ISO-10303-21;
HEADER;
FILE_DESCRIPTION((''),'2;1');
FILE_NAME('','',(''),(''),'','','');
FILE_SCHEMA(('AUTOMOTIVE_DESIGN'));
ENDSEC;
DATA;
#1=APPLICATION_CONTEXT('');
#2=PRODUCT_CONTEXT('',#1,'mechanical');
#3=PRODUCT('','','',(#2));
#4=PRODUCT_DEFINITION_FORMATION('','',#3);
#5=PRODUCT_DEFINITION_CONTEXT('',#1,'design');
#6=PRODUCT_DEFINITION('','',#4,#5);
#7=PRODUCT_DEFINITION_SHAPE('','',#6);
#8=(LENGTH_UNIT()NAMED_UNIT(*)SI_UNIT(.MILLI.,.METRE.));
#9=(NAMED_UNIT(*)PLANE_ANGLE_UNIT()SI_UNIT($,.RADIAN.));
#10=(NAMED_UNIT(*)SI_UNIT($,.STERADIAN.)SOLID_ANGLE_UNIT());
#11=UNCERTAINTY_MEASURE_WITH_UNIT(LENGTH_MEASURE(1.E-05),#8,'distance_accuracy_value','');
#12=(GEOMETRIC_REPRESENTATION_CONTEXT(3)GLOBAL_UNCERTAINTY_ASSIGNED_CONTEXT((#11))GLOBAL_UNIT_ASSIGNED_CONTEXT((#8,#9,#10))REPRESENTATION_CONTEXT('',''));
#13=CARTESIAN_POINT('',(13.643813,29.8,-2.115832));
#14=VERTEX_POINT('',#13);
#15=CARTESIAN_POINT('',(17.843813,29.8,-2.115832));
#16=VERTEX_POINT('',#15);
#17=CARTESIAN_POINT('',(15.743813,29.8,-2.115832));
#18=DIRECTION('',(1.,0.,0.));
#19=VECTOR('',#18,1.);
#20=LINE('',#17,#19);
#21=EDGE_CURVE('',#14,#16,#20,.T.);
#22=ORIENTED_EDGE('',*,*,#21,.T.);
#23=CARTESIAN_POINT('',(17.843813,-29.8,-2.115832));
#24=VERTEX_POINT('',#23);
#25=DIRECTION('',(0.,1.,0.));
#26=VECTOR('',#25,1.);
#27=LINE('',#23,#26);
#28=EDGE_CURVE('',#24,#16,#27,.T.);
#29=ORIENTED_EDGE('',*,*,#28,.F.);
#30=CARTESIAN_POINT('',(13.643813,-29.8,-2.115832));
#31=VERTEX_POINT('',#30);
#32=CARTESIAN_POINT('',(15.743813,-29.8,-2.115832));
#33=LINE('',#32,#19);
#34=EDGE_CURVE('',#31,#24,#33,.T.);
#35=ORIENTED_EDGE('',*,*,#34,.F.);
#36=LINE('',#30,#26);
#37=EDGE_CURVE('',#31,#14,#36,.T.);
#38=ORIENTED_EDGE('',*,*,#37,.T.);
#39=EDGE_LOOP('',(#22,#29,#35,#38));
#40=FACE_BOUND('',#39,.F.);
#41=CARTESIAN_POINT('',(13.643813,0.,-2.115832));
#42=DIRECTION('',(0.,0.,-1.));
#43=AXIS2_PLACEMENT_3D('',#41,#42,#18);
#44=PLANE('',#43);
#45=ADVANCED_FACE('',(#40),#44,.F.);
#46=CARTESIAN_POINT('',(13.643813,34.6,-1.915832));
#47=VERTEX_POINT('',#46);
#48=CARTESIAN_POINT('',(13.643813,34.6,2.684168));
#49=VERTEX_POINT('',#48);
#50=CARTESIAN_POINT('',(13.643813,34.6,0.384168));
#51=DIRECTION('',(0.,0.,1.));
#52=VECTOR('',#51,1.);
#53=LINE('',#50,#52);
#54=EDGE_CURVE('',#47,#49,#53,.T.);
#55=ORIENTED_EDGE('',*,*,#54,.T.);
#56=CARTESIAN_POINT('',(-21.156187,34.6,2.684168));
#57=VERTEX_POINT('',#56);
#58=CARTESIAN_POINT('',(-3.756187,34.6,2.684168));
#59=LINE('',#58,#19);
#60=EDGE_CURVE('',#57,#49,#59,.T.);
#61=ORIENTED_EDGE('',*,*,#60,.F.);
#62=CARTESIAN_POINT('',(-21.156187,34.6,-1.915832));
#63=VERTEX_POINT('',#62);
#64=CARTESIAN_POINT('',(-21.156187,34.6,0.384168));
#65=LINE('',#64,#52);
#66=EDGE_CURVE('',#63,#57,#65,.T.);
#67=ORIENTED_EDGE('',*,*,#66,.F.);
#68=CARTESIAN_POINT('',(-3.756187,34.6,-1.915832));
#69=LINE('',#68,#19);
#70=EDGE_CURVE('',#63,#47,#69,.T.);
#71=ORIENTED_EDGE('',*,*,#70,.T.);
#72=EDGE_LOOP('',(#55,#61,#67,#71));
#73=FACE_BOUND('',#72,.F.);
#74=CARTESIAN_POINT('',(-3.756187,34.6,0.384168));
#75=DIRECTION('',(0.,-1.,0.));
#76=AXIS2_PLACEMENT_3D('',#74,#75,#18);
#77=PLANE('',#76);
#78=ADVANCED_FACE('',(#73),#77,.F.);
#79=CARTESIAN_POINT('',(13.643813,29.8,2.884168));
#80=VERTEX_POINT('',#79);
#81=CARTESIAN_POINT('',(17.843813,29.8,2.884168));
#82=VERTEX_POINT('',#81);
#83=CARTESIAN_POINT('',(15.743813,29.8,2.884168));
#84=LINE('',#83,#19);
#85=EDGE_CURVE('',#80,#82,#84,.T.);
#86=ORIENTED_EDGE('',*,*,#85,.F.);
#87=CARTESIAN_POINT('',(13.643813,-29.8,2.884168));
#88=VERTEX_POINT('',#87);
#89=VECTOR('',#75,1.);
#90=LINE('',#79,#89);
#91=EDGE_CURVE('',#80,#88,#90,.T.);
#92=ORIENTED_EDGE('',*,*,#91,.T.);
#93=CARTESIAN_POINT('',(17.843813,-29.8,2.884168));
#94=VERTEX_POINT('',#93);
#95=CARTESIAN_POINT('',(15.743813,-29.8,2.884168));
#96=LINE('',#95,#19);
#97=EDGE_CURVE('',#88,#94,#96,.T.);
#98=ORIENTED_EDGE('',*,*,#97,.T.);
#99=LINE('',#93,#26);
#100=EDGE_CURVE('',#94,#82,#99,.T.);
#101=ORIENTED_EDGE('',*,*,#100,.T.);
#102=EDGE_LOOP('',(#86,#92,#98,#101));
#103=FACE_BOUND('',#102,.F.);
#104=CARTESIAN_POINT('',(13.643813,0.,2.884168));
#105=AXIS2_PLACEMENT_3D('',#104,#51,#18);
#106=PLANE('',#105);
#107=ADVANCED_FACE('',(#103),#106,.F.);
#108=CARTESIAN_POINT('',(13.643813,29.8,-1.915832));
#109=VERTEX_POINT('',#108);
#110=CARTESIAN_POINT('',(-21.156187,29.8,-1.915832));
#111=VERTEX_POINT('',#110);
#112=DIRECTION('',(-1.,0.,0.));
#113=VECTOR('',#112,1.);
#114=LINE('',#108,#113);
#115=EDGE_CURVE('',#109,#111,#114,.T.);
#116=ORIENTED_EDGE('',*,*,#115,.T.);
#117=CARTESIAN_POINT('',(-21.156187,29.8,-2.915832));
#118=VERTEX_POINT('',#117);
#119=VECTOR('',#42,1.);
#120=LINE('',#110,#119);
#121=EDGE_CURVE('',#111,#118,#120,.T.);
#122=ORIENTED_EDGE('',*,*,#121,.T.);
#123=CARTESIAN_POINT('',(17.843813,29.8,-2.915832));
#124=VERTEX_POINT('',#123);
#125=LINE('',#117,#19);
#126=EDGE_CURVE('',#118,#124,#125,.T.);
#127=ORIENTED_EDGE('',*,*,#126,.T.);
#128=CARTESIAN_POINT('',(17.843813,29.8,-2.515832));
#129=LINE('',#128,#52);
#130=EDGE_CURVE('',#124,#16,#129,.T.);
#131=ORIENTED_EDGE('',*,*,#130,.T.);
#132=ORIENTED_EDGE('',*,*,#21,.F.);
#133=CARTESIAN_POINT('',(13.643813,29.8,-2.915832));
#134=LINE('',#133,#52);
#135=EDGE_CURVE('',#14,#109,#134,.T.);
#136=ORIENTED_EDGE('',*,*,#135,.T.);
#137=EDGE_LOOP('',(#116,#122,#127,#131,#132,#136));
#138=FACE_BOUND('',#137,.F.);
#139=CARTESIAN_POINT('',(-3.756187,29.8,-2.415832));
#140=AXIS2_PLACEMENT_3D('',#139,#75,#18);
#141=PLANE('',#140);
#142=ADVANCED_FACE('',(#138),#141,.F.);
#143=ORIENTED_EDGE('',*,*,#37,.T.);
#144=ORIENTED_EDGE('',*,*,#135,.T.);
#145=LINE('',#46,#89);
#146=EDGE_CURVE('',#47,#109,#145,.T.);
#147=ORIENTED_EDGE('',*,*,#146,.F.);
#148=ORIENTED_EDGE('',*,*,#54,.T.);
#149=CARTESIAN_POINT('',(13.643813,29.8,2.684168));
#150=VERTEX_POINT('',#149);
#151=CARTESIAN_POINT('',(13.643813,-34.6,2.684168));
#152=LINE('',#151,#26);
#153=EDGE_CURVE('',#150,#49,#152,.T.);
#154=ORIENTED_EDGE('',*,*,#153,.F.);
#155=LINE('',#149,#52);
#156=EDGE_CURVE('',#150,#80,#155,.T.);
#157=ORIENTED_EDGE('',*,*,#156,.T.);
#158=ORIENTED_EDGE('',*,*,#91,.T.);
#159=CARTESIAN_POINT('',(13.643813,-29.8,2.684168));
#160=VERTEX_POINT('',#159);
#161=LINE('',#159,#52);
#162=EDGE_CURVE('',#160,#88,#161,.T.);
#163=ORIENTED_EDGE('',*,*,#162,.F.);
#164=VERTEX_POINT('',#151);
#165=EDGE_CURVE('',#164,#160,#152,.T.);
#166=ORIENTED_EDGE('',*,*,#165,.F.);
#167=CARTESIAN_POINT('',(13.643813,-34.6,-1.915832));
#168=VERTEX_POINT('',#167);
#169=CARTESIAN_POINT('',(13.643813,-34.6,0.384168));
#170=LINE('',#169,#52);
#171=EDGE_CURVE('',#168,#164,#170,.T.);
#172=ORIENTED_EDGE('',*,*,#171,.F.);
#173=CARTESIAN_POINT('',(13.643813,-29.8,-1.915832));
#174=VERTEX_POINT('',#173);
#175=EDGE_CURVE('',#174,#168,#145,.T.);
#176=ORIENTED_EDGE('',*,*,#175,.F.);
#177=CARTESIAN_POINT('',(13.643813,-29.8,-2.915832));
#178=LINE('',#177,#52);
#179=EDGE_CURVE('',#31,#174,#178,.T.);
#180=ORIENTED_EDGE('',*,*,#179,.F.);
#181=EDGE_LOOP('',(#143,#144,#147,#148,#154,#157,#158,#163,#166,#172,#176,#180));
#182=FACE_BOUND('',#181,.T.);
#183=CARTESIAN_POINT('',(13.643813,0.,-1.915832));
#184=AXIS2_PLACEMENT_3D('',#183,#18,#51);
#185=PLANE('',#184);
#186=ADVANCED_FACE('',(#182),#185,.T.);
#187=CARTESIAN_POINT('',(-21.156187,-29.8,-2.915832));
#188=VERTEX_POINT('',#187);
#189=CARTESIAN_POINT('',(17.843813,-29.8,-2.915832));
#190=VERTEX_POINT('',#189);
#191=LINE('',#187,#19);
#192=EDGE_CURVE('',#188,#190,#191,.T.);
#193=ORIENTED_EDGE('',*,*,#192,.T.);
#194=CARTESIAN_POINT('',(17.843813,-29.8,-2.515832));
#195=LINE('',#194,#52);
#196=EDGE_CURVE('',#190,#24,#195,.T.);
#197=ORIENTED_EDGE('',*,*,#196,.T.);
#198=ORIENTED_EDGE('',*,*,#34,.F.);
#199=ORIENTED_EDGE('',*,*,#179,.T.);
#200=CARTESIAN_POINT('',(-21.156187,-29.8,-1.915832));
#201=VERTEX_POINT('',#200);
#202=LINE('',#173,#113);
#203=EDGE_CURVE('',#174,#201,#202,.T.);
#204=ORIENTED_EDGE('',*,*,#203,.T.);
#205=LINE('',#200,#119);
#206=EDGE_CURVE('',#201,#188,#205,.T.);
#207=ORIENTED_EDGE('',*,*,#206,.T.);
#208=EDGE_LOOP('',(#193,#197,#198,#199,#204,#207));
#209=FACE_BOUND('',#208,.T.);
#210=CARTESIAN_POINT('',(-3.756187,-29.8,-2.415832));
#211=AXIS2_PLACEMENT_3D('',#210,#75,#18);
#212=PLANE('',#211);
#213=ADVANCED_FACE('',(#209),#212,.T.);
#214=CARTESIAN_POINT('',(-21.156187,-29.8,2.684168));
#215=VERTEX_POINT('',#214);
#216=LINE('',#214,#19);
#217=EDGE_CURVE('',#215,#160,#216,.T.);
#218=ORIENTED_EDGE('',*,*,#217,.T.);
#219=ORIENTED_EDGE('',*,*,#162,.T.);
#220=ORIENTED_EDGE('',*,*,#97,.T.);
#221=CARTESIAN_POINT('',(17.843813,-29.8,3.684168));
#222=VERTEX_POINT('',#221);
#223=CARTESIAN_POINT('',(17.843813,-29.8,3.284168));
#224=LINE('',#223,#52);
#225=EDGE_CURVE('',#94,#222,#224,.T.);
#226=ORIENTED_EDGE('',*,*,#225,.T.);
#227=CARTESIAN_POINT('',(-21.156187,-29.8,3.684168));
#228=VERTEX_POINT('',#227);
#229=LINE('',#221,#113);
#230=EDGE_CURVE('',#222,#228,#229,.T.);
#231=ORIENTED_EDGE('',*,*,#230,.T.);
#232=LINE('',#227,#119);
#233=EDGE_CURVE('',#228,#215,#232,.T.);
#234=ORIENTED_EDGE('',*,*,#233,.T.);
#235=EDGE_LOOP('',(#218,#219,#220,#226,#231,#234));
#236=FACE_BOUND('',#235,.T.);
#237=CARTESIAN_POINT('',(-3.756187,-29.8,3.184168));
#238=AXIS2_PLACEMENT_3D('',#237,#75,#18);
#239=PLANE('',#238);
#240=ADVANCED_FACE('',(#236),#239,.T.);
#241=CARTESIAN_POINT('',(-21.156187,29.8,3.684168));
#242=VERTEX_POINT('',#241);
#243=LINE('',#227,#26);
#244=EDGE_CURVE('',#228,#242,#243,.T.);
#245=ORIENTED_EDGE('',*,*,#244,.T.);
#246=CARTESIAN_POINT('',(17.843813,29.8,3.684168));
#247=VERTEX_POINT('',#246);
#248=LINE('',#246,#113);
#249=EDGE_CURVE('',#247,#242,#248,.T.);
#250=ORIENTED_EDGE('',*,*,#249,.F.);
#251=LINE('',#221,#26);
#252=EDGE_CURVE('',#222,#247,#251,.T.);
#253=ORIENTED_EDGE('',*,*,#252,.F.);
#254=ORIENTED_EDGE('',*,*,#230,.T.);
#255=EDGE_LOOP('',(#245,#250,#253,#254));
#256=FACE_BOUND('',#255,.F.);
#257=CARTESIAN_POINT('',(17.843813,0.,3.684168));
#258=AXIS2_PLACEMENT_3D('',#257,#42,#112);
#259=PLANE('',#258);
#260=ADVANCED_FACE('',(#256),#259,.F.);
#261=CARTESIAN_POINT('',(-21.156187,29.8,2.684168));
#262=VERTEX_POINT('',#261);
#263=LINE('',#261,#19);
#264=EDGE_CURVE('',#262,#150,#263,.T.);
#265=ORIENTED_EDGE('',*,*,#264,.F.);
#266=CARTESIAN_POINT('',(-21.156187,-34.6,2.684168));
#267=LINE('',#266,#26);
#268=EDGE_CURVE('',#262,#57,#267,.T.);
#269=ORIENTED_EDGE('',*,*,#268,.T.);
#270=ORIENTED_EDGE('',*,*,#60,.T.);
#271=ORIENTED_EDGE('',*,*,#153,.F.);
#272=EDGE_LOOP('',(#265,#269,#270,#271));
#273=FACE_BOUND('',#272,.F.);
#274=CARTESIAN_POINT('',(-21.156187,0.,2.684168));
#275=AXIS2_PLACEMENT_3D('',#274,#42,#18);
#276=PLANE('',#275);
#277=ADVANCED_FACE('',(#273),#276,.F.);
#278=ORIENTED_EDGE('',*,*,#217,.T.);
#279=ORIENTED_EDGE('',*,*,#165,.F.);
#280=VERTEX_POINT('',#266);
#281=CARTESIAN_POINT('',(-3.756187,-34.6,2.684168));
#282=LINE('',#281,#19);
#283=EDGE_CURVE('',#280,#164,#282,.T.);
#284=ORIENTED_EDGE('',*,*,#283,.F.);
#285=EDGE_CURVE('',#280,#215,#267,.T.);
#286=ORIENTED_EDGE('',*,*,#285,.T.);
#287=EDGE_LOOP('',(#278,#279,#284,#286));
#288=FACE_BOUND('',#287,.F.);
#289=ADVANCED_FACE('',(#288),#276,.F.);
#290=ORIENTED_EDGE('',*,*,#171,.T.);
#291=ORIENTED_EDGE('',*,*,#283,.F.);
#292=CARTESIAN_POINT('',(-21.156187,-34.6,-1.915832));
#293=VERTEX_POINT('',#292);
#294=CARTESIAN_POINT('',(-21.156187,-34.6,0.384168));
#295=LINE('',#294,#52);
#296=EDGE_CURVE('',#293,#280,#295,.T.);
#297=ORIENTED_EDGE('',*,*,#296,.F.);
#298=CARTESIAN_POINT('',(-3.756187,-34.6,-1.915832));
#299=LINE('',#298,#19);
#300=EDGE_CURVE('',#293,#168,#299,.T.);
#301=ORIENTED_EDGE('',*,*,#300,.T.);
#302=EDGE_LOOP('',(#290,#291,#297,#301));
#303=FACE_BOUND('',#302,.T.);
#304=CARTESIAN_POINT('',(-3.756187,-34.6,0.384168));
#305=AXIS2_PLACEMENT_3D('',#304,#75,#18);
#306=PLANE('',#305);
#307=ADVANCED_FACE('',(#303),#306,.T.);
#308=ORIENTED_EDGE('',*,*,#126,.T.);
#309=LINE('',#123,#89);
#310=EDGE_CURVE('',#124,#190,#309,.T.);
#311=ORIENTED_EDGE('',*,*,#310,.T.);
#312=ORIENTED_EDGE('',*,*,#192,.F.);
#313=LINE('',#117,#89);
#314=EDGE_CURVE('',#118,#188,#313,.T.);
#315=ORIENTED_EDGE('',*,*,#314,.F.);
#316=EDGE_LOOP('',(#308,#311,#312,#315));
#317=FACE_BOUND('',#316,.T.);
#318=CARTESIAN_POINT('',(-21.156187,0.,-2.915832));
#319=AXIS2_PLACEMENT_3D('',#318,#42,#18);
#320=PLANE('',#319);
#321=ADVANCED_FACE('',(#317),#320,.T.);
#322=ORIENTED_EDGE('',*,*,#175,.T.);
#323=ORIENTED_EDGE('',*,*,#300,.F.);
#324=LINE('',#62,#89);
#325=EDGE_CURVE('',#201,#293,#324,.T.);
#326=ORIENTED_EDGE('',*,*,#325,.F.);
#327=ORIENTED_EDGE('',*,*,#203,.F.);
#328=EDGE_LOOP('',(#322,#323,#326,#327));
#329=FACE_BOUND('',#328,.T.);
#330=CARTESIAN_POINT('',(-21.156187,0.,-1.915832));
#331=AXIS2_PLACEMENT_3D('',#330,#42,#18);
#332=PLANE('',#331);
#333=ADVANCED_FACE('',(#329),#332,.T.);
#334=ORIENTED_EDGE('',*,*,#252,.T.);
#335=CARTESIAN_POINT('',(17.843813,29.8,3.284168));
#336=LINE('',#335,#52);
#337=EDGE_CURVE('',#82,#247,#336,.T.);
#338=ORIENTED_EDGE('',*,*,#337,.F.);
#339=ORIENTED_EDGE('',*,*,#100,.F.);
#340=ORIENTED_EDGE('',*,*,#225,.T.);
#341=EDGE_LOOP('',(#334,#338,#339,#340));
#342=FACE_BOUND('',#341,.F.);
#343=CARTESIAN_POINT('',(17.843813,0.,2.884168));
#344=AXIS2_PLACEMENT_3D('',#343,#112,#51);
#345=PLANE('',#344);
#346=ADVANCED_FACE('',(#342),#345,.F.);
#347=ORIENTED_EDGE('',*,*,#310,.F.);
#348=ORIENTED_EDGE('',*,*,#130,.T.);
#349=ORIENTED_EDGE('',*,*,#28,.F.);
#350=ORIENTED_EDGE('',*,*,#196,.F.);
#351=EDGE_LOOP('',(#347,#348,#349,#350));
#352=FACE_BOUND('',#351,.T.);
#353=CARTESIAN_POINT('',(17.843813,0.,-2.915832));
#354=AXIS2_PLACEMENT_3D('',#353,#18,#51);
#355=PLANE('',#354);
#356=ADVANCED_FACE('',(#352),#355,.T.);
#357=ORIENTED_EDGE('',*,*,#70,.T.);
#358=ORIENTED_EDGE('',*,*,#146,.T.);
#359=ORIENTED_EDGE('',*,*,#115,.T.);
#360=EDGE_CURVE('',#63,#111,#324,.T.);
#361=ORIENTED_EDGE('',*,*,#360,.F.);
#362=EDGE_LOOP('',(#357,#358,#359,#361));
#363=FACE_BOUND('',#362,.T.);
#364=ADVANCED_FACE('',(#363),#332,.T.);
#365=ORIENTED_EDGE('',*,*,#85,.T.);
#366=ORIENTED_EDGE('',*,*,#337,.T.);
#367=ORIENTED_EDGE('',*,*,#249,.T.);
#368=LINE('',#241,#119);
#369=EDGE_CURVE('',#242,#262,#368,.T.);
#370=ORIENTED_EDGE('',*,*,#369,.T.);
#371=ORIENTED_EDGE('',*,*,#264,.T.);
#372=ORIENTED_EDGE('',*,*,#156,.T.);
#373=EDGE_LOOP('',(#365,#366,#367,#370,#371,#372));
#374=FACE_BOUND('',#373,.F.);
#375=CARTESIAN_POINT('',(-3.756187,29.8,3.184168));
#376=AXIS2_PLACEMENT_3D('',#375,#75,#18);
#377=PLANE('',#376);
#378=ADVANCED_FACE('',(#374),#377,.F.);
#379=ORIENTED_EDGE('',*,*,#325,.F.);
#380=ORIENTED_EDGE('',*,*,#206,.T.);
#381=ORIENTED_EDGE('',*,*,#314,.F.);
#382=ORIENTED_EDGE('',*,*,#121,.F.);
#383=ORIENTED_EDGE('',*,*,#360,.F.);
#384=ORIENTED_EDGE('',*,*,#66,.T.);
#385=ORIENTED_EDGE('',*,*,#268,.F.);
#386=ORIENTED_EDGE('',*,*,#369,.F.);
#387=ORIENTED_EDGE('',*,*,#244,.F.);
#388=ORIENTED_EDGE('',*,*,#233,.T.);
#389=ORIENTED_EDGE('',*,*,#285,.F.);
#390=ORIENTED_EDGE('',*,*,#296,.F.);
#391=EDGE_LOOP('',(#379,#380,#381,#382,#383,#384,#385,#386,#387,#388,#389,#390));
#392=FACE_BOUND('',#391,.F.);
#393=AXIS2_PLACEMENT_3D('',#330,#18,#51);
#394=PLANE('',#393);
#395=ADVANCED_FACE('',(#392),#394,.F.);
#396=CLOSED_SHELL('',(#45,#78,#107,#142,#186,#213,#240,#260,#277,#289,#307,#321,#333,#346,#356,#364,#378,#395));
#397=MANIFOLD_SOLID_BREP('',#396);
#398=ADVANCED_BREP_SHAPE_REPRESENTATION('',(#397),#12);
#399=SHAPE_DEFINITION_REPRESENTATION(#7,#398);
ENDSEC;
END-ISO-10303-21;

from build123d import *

# Parameters (mm, degrees)
F0_W     = 34.8
F0_H     = 4.6
F1_DEPTH = 34.6
F0_W_2   = 4.2
F0_H_2   = 0.8
F2_DEPTH = 29.8


with BuildPart() as f1:
    # F0 (on Front) → F1 (new body, symmetric)
    with BuildSketch(Plane.XZ):
        with Locations((-3.756187, 0.384168)):
            Rectangle(F0_W, F0_H)
    extrude(amount=F1_DEPTH, both=True)

    # F0 (on Front) → F2 (join, symmetric)
    with BuildSketch(Plane.XZ):
        Polygon((13.643813, 3.684168), (-21.156187, 3.684168), (-21.156187, 2.684168), (13.643813, 2.684168), (13.643813, 2.884168), align=None)
        Polygon((13.643813, -1.915832), (-21.156187, -1.915832), (-21.156187, -2.915832), (13.643813, -2.915832), (13.643813, -2.115832), align=None)
        with Locations((15.743813, -2.515832)):
            Rectangle(F0_W_2, F0_H_2)
        with Locations((15.743813, 3.284168)):
            Rectangle(F0_W_2, F0_H_2)
    extrude(amount=F2_DEPTH, both=True)


solid = f1.part
